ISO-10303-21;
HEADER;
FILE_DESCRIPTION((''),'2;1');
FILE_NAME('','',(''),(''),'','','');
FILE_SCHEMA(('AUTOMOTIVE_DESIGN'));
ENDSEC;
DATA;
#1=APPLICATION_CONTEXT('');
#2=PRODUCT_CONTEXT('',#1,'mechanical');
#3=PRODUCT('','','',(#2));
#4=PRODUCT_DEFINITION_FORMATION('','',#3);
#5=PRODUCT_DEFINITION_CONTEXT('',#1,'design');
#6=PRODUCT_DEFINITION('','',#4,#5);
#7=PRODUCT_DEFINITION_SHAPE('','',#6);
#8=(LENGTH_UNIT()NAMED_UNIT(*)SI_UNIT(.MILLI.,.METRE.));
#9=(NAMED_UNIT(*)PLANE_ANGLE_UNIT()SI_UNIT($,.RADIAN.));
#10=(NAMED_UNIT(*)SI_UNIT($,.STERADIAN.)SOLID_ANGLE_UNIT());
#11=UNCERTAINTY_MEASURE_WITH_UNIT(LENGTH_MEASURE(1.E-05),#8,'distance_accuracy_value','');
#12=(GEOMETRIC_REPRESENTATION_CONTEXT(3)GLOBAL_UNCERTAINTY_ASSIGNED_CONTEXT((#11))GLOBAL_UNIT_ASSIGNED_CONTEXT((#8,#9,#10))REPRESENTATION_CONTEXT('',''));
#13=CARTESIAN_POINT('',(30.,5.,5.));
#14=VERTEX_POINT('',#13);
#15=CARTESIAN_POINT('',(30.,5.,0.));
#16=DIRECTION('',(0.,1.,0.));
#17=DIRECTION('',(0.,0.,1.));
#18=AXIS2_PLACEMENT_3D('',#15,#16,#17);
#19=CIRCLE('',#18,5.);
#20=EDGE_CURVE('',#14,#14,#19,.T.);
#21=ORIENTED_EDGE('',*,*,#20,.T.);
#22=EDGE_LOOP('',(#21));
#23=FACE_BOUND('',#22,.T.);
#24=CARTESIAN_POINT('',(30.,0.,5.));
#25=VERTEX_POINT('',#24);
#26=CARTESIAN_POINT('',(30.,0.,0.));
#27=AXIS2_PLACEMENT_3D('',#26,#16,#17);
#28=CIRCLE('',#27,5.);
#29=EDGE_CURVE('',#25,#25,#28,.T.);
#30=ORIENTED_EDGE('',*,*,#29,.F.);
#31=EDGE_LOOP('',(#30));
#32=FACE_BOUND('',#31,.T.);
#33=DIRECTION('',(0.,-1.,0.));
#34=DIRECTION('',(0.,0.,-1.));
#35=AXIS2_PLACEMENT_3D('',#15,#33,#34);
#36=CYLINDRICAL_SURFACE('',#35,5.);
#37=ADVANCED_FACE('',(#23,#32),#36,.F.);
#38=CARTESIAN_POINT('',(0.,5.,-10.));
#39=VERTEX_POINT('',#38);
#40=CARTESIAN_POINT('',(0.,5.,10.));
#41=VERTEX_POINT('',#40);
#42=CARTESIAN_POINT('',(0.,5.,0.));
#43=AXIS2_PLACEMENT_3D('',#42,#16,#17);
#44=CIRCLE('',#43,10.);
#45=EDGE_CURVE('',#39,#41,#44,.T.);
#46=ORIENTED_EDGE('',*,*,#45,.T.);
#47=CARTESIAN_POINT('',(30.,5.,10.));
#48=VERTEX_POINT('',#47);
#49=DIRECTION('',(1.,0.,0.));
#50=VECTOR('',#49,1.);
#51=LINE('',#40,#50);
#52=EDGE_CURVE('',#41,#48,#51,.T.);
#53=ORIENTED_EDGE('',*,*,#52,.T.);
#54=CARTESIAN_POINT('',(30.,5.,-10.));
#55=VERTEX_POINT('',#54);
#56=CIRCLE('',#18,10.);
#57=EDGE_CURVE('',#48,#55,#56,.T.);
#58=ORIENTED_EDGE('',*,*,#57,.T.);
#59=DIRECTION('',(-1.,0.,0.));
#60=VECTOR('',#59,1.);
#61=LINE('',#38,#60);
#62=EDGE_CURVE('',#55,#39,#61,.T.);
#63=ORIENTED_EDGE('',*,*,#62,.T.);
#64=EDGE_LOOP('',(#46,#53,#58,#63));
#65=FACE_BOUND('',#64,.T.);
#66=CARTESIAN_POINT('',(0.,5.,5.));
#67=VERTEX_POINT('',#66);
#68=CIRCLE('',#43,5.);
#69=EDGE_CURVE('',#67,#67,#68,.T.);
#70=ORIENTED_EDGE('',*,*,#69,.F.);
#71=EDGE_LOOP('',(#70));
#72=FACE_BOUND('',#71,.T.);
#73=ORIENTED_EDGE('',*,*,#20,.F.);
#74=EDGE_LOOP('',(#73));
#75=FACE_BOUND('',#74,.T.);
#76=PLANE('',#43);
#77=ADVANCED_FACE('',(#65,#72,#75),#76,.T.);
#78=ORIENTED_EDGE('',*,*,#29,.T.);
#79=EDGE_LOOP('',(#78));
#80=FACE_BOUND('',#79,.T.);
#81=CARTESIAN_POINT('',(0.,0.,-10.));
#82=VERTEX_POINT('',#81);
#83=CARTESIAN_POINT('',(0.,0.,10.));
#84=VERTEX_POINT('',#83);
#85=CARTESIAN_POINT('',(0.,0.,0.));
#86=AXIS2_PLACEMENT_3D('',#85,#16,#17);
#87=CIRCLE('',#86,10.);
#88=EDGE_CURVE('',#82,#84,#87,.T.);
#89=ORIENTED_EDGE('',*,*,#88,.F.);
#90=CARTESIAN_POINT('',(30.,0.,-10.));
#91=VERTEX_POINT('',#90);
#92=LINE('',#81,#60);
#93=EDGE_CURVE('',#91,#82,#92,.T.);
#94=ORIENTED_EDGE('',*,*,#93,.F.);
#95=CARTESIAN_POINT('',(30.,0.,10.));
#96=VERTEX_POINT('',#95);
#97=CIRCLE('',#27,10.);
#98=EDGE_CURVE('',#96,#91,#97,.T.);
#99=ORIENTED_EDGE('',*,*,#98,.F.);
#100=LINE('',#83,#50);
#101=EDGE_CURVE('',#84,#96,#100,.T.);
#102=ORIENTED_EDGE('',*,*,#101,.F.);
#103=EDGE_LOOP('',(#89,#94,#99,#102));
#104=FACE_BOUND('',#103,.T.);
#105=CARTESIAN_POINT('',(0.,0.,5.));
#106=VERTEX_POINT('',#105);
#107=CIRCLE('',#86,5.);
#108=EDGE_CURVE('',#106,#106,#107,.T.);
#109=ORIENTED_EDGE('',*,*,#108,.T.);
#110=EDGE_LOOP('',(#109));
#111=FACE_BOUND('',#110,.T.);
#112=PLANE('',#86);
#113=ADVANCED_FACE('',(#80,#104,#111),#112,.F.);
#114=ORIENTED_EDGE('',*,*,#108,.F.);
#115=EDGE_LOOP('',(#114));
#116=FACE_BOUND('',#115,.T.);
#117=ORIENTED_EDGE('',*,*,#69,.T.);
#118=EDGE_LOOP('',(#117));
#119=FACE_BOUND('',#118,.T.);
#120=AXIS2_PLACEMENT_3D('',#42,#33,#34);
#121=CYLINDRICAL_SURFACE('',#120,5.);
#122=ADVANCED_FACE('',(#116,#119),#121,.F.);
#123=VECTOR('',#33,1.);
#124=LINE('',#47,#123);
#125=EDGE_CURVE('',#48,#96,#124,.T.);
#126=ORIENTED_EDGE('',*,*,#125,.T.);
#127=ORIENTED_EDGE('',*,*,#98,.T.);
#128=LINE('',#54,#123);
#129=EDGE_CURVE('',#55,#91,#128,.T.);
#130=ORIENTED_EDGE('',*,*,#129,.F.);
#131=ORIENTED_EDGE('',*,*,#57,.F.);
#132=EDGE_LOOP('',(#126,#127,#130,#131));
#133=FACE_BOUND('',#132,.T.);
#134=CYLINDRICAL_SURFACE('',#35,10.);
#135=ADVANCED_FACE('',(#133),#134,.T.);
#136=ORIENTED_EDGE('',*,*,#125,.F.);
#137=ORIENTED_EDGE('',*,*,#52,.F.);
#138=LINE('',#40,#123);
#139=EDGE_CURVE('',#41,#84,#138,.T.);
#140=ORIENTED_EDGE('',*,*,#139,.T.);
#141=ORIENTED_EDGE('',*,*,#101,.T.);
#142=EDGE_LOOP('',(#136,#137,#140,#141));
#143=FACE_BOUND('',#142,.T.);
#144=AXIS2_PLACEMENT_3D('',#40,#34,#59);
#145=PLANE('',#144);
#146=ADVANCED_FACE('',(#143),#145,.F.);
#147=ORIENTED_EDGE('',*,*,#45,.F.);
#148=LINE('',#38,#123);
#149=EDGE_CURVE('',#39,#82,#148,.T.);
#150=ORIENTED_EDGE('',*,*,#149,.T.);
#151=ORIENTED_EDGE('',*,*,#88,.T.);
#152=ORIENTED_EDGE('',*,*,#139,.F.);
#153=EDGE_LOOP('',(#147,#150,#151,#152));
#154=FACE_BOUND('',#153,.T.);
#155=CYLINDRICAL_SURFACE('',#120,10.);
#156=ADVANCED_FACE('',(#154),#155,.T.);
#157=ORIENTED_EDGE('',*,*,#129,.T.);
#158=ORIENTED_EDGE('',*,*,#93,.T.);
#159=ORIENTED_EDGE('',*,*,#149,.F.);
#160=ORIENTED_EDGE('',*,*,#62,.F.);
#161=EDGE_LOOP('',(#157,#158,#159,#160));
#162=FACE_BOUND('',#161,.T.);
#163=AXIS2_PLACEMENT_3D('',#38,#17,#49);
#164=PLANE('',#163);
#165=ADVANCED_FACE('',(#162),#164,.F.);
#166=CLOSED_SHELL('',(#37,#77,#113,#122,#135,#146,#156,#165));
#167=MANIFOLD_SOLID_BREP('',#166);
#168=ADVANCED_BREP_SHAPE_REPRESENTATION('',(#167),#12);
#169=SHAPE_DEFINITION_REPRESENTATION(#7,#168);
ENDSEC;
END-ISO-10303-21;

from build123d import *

# Parameters (mm, degrees)
SKETCH1_R           = 5
BOSS_EXTRUDE1_DEPTH = 5


with BuildPart() as part:
    # Sketch1 → Boss-Extrude1 (new body)
    with BuildSketch(Plane(origin=(0, 0, 0), x_dir=(1, 0, 0), z_dir=(0, 1, 0))):
        with BuildLine():
            Line((0, 10), (30, 10))
            ThreePointArc((30, 10), (40, 0), (30, -10))
            Line((30, -10), (0, -10))
            ThreePointArc((0, -10), (-10, 0), (0, 10))
        make_face()
        Circle(SKETCH1_R, mode=Mode.SUBTRACT)
        with Locations((30, 0)):
            Circle(SKETCH1_R, mode=Mode.SUBTRACT)
    extrude(amount=BOSS_EXTRUDE1_DEPTH)


solid = part.part
